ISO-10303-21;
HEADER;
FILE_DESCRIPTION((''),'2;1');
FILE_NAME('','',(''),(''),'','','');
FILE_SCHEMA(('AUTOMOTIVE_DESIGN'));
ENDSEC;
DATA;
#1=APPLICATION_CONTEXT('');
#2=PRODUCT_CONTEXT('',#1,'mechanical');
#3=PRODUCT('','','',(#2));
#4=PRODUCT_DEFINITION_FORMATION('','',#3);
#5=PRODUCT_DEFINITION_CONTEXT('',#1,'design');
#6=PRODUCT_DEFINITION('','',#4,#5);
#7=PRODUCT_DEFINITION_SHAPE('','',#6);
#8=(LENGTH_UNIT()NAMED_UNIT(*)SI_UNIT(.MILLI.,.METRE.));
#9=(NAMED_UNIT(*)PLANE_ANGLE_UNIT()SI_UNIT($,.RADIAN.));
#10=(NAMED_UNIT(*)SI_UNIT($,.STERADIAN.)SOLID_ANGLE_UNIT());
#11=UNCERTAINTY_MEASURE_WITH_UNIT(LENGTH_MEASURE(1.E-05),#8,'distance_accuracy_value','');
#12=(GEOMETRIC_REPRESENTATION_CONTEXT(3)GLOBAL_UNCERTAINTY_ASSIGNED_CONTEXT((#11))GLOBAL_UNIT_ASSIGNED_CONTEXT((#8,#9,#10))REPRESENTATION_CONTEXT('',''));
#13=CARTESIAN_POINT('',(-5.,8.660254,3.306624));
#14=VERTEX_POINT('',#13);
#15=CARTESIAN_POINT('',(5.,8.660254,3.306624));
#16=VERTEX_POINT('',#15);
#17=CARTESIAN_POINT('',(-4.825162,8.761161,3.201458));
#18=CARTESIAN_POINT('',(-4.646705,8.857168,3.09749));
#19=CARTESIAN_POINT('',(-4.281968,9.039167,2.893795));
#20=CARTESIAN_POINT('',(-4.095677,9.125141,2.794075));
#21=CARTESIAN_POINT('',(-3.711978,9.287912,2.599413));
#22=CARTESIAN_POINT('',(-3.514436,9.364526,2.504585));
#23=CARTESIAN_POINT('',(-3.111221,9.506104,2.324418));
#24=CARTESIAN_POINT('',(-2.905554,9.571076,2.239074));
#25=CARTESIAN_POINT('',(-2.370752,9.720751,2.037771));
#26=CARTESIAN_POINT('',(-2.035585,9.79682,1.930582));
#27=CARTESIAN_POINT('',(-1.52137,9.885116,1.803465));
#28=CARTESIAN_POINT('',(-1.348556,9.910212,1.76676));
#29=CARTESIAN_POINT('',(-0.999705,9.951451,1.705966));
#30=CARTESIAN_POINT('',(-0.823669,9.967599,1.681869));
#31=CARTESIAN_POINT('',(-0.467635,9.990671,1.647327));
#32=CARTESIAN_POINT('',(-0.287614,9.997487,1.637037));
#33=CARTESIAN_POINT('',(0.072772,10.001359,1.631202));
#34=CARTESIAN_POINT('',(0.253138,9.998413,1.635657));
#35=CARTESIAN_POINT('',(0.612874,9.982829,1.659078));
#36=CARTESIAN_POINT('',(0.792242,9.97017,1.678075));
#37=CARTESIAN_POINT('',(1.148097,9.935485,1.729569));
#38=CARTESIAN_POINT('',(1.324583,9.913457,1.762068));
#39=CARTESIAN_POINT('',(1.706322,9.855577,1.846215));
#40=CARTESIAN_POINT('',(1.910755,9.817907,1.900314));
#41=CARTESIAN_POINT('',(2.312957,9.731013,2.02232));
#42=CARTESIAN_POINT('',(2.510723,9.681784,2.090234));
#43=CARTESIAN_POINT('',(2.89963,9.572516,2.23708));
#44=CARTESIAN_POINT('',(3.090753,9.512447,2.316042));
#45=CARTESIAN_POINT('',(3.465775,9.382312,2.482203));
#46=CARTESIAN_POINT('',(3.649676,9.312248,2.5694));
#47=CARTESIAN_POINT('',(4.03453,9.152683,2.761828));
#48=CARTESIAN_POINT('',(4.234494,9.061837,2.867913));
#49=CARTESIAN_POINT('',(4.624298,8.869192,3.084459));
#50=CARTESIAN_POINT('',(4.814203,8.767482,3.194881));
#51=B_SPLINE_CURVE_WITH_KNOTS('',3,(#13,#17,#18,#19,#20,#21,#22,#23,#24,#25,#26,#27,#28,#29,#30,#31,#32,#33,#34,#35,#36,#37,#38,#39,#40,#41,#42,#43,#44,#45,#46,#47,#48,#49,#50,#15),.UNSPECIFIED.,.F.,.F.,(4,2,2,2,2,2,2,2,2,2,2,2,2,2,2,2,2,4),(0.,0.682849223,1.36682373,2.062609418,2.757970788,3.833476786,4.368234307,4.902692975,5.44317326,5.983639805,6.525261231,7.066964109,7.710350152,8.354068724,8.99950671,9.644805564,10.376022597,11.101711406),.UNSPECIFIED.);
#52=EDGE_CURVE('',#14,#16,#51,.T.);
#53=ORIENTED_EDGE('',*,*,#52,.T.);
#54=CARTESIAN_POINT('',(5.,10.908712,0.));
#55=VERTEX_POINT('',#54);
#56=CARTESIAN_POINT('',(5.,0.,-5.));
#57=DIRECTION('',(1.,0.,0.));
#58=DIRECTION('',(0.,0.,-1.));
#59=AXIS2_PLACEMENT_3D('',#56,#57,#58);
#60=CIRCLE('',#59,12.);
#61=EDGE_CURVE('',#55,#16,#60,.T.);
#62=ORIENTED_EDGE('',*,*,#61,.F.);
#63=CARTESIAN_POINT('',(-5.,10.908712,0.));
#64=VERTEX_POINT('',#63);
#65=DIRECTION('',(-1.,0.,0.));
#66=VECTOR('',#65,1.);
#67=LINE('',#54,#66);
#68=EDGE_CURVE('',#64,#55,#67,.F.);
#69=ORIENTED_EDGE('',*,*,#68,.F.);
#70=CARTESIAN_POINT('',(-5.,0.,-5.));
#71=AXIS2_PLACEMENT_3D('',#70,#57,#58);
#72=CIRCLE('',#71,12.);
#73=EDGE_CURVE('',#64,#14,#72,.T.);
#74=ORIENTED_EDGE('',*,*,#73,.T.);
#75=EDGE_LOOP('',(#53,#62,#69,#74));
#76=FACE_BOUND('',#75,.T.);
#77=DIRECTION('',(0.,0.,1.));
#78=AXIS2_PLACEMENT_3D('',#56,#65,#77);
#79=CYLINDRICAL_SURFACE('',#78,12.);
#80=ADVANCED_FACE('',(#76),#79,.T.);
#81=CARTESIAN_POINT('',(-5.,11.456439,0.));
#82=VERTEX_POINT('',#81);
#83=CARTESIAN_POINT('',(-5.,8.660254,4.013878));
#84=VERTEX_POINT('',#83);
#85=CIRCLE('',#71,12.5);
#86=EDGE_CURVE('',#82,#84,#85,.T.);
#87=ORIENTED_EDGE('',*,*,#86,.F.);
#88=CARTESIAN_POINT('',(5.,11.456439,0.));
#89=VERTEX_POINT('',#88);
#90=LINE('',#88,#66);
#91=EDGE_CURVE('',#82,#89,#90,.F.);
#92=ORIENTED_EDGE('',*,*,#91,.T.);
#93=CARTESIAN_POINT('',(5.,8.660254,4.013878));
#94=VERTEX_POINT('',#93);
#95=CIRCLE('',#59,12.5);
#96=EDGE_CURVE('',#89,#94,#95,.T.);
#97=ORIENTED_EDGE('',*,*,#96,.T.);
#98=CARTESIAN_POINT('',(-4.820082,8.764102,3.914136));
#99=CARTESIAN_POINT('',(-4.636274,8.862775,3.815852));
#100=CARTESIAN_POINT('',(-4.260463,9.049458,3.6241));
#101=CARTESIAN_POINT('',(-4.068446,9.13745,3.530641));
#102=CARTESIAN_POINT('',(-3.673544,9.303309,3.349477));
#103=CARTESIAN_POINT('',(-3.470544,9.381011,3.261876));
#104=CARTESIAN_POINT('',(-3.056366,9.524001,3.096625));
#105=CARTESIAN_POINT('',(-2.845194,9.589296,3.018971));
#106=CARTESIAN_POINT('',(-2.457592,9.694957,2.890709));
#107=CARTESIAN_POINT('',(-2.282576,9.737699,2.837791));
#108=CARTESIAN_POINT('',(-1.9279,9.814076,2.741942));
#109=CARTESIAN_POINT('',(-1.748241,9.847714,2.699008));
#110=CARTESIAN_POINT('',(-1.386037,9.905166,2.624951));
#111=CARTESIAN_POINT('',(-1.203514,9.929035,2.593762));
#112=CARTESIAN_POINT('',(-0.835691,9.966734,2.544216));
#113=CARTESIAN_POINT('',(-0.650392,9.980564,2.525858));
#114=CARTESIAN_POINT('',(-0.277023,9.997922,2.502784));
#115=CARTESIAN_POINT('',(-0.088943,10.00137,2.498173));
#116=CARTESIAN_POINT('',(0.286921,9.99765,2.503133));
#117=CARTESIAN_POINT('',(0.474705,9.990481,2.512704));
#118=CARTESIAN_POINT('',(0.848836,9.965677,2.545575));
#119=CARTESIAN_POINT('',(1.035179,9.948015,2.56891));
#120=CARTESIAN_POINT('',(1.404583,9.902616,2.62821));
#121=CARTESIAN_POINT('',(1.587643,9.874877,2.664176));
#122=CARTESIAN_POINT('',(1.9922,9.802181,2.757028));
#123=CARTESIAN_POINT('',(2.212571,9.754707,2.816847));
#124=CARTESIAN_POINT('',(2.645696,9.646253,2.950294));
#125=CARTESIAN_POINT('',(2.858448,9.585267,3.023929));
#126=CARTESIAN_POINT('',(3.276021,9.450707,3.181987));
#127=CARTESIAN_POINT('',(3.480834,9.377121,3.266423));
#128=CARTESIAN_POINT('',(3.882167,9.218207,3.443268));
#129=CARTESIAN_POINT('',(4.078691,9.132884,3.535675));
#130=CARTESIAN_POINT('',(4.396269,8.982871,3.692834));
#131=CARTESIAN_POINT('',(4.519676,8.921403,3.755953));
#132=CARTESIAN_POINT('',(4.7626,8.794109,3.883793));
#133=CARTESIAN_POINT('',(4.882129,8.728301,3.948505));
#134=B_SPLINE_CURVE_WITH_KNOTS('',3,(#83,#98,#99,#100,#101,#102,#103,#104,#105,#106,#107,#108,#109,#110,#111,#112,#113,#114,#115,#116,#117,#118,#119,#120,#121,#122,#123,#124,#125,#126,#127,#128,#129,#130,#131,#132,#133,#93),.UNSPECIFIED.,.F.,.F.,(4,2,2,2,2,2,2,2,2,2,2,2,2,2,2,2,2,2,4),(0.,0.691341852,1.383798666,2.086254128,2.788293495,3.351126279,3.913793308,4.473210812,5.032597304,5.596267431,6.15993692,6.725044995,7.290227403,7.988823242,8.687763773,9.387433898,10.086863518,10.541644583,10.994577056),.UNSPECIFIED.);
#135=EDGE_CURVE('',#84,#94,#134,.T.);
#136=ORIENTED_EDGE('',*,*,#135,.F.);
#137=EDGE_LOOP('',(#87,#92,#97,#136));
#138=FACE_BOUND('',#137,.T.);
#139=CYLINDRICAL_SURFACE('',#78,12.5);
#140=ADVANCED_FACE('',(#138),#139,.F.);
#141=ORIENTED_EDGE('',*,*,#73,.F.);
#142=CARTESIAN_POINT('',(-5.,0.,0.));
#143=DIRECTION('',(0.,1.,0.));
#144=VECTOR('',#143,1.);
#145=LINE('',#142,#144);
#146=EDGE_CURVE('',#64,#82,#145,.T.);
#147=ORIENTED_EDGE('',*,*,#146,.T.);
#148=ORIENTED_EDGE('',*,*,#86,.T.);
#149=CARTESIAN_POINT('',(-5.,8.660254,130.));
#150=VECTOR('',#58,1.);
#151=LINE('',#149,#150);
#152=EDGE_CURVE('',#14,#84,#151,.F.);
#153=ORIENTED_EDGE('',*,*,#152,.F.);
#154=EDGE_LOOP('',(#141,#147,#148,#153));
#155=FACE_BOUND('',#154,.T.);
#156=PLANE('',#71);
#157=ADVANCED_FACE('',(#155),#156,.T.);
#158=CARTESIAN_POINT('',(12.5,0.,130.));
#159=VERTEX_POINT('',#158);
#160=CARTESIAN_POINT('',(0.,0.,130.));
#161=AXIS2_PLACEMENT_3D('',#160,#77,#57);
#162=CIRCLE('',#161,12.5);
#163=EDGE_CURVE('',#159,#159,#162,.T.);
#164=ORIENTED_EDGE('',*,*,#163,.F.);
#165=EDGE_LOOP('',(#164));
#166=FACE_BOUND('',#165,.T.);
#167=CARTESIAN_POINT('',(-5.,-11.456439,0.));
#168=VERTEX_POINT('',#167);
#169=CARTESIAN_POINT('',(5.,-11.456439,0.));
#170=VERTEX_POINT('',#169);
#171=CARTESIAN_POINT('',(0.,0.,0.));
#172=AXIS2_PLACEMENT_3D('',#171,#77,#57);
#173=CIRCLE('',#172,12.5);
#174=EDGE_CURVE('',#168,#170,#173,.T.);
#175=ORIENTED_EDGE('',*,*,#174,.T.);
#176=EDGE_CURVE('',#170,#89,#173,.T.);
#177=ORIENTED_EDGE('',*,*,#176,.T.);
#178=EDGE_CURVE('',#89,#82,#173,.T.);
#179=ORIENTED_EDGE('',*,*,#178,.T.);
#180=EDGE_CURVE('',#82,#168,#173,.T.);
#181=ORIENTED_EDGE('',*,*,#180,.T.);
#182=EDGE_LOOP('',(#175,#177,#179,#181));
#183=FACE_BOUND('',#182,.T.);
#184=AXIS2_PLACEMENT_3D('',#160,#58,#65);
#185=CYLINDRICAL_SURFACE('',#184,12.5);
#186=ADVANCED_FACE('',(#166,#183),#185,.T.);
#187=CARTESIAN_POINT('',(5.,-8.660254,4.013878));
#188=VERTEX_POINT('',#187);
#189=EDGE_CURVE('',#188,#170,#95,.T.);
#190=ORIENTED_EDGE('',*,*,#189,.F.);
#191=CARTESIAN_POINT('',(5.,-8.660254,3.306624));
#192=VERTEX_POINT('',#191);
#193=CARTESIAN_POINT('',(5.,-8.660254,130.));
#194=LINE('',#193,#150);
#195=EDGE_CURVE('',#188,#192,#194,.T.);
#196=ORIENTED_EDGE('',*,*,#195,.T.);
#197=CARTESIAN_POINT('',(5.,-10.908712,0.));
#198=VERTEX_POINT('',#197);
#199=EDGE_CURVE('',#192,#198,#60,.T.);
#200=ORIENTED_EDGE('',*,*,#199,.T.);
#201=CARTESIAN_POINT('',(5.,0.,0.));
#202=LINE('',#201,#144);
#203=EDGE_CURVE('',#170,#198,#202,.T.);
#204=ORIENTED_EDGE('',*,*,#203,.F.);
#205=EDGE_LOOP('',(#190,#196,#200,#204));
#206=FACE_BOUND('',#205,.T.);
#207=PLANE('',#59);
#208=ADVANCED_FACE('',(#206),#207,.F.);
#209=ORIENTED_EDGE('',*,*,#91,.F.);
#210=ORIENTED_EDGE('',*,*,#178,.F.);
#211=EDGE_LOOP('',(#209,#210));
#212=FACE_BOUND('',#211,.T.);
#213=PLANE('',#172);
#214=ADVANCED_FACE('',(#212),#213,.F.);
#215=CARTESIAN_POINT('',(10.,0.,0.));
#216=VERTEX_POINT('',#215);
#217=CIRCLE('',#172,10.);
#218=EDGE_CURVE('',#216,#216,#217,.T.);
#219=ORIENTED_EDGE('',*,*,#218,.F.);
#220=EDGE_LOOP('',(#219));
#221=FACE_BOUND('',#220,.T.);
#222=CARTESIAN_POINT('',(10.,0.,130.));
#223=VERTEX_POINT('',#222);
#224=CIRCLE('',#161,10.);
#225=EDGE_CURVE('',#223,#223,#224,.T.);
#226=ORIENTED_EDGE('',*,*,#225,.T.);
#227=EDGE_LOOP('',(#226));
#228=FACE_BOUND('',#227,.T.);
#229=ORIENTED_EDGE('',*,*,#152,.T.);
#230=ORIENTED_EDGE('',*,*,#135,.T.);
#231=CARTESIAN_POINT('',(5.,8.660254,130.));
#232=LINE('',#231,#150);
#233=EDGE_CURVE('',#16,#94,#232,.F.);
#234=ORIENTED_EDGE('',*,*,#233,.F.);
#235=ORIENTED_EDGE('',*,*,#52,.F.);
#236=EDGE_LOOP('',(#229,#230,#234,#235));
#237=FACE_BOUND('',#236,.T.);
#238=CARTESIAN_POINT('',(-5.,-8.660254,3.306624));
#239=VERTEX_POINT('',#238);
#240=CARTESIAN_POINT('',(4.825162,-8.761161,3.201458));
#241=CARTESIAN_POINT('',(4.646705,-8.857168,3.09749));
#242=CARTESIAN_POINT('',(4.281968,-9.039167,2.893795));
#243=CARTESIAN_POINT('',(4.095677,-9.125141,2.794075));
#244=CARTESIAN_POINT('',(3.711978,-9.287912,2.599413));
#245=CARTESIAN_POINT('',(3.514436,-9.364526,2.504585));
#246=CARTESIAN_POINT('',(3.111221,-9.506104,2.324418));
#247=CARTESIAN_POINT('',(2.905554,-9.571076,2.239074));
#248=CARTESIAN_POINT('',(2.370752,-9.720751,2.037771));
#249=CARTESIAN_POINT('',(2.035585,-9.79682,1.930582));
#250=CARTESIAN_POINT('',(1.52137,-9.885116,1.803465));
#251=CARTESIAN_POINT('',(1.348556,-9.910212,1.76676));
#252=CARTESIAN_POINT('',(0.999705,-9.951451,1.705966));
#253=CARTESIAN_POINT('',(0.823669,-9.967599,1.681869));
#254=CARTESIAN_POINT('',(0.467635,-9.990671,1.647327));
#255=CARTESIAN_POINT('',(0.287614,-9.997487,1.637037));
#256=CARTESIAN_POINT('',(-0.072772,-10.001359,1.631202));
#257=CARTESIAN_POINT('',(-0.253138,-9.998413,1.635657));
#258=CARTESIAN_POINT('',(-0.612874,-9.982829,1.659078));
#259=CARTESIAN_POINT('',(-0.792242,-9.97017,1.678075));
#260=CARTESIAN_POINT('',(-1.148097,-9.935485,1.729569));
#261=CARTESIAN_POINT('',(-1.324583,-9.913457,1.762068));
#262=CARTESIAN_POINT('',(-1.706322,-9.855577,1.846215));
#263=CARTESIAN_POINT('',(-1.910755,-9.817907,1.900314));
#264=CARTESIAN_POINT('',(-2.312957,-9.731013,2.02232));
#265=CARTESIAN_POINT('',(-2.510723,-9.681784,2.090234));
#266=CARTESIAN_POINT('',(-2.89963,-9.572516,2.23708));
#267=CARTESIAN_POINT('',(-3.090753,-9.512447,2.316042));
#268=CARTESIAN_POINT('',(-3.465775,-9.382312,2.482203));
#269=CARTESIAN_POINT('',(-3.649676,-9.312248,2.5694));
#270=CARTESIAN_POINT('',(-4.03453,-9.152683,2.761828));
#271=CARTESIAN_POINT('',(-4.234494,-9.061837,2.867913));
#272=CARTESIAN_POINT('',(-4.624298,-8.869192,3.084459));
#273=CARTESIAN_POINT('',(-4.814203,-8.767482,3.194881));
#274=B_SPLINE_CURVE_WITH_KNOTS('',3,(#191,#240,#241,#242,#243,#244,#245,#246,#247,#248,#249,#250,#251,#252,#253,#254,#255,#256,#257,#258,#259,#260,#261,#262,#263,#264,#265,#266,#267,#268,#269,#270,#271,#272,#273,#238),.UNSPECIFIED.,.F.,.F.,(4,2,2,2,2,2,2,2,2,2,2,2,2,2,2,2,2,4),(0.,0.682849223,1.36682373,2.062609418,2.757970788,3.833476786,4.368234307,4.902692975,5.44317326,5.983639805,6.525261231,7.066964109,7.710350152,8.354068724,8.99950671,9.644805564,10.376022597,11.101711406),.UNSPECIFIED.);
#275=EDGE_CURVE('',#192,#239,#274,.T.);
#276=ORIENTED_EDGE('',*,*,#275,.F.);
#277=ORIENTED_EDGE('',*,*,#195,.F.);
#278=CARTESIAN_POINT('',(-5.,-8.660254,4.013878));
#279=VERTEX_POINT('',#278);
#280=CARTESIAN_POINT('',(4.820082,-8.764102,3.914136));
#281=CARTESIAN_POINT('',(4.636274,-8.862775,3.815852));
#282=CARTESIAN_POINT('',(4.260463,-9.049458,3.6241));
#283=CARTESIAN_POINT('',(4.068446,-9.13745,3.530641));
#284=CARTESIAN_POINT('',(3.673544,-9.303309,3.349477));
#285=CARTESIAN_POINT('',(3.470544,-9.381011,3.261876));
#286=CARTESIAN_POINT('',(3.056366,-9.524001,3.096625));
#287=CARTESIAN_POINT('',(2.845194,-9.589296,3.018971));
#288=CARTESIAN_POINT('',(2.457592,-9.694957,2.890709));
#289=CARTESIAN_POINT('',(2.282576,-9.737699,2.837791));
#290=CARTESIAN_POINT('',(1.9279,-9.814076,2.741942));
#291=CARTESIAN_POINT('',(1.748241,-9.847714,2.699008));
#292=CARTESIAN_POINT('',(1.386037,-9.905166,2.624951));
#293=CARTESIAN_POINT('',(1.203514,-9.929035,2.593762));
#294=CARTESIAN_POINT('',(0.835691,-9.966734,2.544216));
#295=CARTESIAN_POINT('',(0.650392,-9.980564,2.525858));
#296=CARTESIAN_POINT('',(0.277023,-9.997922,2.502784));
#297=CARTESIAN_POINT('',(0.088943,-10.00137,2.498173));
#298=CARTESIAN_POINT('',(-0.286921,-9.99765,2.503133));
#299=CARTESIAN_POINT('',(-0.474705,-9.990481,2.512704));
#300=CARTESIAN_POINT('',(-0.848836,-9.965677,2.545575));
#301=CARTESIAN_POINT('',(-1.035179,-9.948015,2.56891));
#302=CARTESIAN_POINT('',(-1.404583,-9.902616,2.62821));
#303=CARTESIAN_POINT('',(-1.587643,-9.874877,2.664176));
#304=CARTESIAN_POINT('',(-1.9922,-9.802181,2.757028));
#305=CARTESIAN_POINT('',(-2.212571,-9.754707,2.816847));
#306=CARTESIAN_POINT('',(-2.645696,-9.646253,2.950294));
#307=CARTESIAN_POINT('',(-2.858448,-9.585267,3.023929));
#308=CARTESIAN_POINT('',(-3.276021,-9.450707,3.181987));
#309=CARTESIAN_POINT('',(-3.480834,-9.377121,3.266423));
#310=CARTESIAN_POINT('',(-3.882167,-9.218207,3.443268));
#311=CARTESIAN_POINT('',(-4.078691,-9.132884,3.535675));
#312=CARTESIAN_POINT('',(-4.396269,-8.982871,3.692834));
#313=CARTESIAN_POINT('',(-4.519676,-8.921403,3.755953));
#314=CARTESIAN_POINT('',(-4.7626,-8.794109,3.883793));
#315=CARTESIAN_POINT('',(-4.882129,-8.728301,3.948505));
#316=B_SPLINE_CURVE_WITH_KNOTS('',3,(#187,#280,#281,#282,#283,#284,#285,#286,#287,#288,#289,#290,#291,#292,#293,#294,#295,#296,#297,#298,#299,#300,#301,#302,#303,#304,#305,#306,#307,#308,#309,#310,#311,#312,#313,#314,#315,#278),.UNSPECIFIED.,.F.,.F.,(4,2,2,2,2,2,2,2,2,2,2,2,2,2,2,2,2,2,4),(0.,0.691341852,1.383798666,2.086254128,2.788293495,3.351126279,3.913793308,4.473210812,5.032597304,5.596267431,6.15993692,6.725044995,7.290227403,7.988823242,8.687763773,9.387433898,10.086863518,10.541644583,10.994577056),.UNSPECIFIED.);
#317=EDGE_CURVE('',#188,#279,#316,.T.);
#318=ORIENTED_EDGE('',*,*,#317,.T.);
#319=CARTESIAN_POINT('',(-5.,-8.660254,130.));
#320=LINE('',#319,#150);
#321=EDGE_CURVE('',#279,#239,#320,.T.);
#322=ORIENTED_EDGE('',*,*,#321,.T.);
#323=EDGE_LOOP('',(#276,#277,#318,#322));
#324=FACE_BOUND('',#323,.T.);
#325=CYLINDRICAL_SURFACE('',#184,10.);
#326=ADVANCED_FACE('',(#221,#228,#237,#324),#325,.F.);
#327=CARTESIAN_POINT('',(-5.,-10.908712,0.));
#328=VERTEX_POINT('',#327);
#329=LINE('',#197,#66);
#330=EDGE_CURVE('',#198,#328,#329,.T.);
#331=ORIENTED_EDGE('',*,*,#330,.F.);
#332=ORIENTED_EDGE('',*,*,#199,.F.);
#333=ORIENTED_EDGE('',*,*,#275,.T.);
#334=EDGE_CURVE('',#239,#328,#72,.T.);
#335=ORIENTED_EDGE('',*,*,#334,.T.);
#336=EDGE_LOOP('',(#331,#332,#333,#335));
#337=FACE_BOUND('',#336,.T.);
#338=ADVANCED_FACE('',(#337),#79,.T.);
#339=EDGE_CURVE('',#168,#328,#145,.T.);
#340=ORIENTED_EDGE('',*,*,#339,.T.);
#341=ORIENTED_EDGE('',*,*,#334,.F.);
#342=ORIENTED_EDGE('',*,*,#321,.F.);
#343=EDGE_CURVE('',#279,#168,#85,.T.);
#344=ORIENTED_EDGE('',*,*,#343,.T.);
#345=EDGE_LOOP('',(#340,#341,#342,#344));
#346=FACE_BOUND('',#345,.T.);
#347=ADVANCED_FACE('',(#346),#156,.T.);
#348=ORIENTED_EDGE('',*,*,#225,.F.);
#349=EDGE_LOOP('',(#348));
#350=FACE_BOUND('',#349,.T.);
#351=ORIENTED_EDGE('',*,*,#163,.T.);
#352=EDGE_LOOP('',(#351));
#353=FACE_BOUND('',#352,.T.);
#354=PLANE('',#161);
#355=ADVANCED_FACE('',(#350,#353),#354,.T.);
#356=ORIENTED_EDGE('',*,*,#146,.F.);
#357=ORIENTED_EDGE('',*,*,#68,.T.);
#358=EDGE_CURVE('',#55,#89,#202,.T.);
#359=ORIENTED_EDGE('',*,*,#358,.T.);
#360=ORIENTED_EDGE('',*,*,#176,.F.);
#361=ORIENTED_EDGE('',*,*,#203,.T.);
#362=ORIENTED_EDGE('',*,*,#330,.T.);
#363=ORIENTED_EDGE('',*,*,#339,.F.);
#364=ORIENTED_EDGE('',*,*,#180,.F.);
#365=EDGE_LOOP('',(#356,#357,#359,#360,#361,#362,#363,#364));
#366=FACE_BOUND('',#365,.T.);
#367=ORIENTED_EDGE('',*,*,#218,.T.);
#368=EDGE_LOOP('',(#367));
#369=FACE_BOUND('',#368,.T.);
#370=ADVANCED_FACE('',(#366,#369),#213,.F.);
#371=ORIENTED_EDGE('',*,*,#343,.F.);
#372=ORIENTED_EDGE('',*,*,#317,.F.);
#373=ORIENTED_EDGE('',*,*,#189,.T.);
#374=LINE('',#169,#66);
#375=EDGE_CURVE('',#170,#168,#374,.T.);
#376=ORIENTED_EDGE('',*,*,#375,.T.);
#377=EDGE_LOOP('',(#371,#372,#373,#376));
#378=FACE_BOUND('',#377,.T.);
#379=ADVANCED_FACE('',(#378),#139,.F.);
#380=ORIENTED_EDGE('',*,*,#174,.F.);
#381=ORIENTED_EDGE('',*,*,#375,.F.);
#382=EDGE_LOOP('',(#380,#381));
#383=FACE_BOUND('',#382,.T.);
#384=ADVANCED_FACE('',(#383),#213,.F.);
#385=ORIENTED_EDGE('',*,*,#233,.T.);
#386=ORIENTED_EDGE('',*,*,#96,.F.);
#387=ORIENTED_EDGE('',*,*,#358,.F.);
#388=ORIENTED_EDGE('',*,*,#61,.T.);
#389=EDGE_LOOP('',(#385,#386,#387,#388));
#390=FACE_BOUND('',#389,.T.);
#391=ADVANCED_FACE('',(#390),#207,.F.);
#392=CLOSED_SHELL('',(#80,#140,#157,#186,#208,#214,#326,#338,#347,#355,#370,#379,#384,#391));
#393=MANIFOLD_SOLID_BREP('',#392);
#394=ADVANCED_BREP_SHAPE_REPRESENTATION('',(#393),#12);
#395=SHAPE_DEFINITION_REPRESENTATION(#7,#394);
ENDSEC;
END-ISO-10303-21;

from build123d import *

# Parameters (mm, degrees)
ESBO_O1_R                  = 12.5
ESBO_O1_R_2                = 10
RESSALTO_EXTRUS_O1_DEPTH   = 130
CORTE_EXTRUS_O1_DEPTH      = 5
CORTE_EXTRUS_O1_DEPTH_BACK = 5
ESBO_O2_R                  = 12.5
ESBO_O2_R_2                = 12


with BuildPart() as part:
    # Esboço1 → Ressalto-extrusão1 (new body)
    with BuildSketch(Plane.XY):
        Circle(ESBO_O1_R)
        Circle(ESBO_O1_R_2, mode=Mode.SUBTRACT)
    extrude(amount=RESSALTO_EXTRUS_O1_DEPTH)

    # Esboço2 → Corte-extrusão1 (cut, two sides: drawn at the far end of the back side and taken through both)
    with BuildSketch(Plane(origin=(0, 0, 0), x_dir=(0, 0, -1), z_dir=(1, 0, 0)).offset(-CORTE_EXTRUS_O1_DEPTH_BACK)):
        with Locations((5, 0)):
            Circle(ESBO_O2_R)
        with Locations((5, 0)):
            Circle(ESBO_O2_R_2, mode=Mode.SUBTRACT)
    extrude(amount=CORTE_EXTRUS_O1_DEPTH + CORTE_EXTRUS_O1_DEPTH_BACK, mode=Mode.SUBTRACT)


solid = part.part
